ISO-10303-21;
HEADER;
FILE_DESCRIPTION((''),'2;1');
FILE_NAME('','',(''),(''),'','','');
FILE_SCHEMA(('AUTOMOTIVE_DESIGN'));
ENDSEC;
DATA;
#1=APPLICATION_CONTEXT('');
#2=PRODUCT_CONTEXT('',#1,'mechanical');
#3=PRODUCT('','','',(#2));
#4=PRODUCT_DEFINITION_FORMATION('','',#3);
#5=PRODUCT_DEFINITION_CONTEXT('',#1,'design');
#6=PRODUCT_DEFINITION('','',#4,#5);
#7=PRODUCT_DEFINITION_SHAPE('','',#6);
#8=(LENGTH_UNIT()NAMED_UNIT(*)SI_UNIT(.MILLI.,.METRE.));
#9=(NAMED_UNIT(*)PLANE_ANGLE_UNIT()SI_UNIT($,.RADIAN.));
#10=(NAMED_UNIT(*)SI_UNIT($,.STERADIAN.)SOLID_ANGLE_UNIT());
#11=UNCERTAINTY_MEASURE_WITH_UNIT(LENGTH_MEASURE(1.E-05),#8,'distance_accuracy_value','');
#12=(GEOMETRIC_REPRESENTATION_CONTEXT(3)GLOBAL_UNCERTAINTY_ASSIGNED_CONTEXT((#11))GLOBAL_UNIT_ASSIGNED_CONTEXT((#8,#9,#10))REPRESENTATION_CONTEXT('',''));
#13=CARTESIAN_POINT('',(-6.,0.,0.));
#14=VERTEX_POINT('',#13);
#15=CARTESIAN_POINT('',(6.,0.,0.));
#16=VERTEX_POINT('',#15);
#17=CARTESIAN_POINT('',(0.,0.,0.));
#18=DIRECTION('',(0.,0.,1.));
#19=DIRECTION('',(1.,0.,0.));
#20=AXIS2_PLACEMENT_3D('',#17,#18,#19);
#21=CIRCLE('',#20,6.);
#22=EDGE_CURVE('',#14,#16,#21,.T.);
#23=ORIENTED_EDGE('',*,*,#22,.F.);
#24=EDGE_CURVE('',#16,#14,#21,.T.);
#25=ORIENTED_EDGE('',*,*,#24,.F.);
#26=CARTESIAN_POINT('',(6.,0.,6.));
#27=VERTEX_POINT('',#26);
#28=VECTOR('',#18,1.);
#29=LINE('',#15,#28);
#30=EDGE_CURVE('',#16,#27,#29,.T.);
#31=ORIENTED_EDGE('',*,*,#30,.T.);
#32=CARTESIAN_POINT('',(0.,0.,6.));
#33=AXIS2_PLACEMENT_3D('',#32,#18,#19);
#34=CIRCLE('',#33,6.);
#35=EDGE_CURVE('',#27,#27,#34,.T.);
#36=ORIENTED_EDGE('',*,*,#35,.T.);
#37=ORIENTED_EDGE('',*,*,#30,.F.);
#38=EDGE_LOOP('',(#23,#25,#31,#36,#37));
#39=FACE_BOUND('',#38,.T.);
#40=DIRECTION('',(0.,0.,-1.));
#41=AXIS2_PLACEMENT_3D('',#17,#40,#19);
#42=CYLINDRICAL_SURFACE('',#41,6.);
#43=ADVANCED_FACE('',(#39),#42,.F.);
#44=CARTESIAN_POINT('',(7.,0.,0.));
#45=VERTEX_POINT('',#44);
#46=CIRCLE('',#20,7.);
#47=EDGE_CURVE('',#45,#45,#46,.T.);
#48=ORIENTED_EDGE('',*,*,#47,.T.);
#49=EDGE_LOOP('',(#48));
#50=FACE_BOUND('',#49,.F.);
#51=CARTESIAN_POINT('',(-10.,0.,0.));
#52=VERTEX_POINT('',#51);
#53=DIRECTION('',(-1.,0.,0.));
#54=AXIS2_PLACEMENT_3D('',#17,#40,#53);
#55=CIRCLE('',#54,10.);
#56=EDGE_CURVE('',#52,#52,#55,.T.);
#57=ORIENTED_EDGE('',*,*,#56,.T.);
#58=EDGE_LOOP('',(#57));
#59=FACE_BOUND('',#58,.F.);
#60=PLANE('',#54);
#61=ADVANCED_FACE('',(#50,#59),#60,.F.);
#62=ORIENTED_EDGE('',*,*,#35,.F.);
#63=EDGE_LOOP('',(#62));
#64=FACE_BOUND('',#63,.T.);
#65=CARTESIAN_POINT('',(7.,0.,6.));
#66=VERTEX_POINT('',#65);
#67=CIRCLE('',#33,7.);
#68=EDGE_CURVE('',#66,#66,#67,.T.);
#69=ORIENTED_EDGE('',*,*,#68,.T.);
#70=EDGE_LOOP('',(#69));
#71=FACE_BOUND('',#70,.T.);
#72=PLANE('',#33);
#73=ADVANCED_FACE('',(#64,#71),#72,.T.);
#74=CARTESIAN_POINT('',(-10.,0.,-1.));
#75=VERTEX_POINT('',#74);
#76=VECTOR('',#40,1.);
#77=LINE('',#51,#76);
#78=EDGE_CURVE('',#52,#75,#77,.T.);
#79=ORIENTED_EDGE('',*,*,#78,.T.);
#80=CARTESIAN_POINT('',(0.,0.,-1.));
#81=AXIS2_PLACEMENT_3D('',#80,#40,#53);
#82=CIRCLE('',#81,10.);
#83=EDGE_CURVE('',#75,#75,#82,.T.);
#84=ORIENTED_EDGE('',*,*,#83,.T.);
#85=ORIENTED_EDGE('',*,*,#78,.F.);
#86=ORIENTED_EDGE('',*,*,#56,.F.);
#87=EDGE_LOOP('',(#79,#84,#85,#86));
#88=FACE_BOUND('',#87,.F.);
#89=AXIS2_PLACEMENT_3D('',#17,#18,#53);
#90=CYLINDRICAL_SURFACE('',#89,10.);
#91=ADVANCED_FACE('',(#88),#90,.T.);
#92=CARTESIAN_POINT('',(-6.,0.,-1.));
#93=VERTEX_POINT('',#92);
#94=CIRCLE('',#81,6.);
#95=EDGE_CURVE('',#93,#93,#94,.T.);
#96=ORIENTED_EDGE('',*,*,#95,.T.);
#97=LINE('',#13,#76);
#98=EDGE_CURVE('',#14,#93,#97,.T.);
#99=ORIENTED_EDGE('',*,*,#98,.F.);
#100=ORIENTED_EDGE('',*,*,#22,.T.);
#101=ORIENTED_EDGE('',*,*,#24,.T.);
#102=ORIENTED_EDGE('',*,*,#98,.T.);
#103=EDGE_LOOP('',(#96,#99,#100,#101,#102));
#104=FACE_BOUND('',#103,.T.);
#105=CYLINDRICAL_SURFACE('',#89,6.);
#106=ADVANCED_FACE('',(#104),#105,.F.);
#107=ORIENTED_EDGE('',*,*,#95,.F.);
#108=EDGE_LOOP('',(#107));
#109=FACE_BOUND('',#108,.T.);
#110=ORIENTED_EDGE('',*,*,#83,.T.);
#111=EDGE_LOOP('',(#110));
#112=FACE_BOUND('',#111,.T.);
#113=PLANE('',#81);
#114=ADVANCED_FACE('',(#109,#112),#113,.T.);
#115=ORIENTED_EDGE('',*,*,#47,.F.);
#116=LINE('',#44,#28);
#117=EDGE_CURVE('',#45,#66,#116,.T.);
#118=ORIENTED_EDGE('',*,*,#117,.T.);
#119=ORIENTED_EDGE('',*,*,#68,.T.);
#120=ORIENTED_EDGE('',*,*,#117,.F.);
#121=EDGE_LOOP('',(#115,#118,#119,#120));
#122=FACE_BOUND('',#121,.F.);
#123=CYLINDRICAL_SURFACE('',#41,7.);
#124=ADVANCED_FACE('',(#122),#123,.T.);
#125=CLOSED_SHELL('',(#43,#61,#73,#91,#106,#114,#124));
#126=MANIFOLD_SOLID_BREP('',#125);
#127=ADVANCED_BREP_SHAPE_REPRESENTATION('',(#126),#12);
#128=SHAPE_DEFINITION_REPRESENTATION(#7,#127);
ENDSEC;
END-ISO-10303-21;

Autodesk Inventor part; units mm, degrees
ref_plane "YZ Plane" through (0, 0, 0) normal (1, 0, 0) x (0, 1, 0)
ref_plane "XZ Plane" through (0, 0, 0) normal (0, 1, 0) x (-1, 0, 0)
ref_plane "XY Plane" through (0, 0, 0) normal (0, 0, 1) x (1, 0, 0)
sketch "スケッチ1" plane through (0, 0, 0) normal (0, 0, 1) x (1, 0, 0)
  circle A0 centre (0, 0) radius 6
  circle A1 centre (0, 0) radius 7
  dimension "d0" = 12
  dimension "d1" = 14
extrude "押し出し1" add sketch "スケッチ1" along normal blind 6
sketch "スケッチ2" plane through (0, 0, 0) normal (0, 0, -1) x (-1, 0, 0)
  circle A0 centre (0, 0) radius 7 projected
  circle A1 centre (0, 0) radius 6 projected
  circle A2 centre (0, 0) radius 10
  dimension "d4" = 20
extrude "押し出し2" add sketch "スケッチ2" along normal blind 1 contours A0 | A2
properties part number "オイレスフランジ付き12142006" material "アセタール樹脂、黒"
